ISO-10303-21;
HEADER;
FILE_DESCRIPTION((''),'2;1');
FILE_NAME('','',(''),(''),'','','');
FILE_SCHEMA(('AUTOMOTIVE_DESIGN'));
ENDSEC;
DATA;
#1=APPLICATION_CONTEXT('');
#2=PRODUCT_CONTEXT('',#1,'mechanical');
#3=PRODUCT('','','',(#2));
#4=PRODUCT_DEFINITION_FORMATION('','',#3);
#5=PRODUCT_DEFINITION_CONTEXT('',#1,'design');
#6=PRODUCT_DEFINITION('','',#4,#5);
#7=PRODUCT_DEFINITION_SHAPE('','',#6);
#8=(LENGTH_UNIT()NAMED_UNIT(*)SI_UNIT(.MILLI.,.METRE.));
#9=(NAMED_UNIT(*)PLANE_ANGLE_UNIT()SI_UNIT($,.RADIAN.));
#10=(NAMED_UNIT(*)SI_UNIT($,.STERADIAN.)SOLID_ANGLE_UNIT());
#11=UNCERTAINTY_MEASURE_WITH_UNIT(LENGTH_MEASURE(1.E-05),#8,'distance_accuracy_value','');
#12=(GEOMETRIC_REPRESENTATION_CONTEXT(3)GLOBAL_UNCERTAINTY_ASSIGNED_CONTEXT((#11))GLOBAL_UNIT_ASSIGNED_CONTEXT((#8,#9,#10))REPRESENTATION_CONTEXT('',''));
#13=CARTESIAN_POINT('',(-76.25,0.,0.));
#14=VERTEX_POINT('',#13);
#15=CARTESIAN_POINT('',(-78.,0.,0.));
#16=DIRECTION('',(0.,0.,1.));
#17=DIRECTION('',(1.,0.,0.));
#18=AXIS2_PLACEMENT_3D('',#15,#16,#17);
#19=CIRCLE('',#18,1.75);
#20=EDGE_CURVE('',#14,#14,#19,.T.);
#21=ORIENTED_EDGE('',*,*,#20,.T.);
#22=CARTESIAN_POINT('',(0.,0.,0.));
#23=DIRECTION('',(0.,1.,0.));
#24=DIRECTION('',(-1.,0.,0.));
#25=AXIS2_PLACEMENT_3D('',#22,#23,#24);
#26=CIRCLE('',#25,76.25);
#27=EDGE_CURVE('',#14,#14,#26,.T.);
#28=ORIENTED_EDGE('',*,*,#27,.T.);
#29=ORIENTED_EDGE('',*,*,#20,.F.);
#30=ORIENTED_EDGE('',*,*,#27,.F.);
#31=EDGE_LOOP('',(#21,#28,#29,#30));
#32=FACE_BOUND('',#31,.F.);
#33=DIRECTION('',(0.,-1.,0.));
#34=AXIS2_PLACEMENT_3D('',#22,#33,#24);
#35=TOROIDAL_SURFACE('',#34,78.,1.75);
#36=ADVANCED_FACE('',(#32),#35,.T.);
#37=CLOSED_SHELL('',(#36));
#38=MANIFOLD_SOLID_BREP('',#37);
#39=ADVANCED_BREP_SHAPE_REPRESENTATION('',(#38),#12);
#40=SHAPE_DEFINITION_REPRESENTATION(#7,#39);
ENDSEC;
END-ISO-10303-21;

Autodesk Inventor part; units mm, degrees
ref_plane "YZ Plane" through (0, 0, 0) normal (1, 0, 0) x (0, 1, 0)
ref_plane "XZ Plane" through (0, 0, 0) normal (0, 1, 0) x (-1, 0, 0)
ref_plane "XY Plane" through (0, 0, 0) normal (0, 0, 1) x (1, 0, 0)
sketch "Sketch1" plane through (0, 0, 0) normal (0, 0, 1) x (1, 0, 0)
  circle A0 centre (-78, 0) radius 1.75
  line L0 (0, -2.45) -> (0, 2.45) projected
  point P0 (0, 0)
  dimension "d0" = 3.5
  dimension "d1" = 78
revolve "Revolution1" add sketch "Sketch1" angle 360 about axis through (0, -10, 0) along (0, 1, 0)
properties part number "RubberOringD3.5XD156" material "Rubber"
